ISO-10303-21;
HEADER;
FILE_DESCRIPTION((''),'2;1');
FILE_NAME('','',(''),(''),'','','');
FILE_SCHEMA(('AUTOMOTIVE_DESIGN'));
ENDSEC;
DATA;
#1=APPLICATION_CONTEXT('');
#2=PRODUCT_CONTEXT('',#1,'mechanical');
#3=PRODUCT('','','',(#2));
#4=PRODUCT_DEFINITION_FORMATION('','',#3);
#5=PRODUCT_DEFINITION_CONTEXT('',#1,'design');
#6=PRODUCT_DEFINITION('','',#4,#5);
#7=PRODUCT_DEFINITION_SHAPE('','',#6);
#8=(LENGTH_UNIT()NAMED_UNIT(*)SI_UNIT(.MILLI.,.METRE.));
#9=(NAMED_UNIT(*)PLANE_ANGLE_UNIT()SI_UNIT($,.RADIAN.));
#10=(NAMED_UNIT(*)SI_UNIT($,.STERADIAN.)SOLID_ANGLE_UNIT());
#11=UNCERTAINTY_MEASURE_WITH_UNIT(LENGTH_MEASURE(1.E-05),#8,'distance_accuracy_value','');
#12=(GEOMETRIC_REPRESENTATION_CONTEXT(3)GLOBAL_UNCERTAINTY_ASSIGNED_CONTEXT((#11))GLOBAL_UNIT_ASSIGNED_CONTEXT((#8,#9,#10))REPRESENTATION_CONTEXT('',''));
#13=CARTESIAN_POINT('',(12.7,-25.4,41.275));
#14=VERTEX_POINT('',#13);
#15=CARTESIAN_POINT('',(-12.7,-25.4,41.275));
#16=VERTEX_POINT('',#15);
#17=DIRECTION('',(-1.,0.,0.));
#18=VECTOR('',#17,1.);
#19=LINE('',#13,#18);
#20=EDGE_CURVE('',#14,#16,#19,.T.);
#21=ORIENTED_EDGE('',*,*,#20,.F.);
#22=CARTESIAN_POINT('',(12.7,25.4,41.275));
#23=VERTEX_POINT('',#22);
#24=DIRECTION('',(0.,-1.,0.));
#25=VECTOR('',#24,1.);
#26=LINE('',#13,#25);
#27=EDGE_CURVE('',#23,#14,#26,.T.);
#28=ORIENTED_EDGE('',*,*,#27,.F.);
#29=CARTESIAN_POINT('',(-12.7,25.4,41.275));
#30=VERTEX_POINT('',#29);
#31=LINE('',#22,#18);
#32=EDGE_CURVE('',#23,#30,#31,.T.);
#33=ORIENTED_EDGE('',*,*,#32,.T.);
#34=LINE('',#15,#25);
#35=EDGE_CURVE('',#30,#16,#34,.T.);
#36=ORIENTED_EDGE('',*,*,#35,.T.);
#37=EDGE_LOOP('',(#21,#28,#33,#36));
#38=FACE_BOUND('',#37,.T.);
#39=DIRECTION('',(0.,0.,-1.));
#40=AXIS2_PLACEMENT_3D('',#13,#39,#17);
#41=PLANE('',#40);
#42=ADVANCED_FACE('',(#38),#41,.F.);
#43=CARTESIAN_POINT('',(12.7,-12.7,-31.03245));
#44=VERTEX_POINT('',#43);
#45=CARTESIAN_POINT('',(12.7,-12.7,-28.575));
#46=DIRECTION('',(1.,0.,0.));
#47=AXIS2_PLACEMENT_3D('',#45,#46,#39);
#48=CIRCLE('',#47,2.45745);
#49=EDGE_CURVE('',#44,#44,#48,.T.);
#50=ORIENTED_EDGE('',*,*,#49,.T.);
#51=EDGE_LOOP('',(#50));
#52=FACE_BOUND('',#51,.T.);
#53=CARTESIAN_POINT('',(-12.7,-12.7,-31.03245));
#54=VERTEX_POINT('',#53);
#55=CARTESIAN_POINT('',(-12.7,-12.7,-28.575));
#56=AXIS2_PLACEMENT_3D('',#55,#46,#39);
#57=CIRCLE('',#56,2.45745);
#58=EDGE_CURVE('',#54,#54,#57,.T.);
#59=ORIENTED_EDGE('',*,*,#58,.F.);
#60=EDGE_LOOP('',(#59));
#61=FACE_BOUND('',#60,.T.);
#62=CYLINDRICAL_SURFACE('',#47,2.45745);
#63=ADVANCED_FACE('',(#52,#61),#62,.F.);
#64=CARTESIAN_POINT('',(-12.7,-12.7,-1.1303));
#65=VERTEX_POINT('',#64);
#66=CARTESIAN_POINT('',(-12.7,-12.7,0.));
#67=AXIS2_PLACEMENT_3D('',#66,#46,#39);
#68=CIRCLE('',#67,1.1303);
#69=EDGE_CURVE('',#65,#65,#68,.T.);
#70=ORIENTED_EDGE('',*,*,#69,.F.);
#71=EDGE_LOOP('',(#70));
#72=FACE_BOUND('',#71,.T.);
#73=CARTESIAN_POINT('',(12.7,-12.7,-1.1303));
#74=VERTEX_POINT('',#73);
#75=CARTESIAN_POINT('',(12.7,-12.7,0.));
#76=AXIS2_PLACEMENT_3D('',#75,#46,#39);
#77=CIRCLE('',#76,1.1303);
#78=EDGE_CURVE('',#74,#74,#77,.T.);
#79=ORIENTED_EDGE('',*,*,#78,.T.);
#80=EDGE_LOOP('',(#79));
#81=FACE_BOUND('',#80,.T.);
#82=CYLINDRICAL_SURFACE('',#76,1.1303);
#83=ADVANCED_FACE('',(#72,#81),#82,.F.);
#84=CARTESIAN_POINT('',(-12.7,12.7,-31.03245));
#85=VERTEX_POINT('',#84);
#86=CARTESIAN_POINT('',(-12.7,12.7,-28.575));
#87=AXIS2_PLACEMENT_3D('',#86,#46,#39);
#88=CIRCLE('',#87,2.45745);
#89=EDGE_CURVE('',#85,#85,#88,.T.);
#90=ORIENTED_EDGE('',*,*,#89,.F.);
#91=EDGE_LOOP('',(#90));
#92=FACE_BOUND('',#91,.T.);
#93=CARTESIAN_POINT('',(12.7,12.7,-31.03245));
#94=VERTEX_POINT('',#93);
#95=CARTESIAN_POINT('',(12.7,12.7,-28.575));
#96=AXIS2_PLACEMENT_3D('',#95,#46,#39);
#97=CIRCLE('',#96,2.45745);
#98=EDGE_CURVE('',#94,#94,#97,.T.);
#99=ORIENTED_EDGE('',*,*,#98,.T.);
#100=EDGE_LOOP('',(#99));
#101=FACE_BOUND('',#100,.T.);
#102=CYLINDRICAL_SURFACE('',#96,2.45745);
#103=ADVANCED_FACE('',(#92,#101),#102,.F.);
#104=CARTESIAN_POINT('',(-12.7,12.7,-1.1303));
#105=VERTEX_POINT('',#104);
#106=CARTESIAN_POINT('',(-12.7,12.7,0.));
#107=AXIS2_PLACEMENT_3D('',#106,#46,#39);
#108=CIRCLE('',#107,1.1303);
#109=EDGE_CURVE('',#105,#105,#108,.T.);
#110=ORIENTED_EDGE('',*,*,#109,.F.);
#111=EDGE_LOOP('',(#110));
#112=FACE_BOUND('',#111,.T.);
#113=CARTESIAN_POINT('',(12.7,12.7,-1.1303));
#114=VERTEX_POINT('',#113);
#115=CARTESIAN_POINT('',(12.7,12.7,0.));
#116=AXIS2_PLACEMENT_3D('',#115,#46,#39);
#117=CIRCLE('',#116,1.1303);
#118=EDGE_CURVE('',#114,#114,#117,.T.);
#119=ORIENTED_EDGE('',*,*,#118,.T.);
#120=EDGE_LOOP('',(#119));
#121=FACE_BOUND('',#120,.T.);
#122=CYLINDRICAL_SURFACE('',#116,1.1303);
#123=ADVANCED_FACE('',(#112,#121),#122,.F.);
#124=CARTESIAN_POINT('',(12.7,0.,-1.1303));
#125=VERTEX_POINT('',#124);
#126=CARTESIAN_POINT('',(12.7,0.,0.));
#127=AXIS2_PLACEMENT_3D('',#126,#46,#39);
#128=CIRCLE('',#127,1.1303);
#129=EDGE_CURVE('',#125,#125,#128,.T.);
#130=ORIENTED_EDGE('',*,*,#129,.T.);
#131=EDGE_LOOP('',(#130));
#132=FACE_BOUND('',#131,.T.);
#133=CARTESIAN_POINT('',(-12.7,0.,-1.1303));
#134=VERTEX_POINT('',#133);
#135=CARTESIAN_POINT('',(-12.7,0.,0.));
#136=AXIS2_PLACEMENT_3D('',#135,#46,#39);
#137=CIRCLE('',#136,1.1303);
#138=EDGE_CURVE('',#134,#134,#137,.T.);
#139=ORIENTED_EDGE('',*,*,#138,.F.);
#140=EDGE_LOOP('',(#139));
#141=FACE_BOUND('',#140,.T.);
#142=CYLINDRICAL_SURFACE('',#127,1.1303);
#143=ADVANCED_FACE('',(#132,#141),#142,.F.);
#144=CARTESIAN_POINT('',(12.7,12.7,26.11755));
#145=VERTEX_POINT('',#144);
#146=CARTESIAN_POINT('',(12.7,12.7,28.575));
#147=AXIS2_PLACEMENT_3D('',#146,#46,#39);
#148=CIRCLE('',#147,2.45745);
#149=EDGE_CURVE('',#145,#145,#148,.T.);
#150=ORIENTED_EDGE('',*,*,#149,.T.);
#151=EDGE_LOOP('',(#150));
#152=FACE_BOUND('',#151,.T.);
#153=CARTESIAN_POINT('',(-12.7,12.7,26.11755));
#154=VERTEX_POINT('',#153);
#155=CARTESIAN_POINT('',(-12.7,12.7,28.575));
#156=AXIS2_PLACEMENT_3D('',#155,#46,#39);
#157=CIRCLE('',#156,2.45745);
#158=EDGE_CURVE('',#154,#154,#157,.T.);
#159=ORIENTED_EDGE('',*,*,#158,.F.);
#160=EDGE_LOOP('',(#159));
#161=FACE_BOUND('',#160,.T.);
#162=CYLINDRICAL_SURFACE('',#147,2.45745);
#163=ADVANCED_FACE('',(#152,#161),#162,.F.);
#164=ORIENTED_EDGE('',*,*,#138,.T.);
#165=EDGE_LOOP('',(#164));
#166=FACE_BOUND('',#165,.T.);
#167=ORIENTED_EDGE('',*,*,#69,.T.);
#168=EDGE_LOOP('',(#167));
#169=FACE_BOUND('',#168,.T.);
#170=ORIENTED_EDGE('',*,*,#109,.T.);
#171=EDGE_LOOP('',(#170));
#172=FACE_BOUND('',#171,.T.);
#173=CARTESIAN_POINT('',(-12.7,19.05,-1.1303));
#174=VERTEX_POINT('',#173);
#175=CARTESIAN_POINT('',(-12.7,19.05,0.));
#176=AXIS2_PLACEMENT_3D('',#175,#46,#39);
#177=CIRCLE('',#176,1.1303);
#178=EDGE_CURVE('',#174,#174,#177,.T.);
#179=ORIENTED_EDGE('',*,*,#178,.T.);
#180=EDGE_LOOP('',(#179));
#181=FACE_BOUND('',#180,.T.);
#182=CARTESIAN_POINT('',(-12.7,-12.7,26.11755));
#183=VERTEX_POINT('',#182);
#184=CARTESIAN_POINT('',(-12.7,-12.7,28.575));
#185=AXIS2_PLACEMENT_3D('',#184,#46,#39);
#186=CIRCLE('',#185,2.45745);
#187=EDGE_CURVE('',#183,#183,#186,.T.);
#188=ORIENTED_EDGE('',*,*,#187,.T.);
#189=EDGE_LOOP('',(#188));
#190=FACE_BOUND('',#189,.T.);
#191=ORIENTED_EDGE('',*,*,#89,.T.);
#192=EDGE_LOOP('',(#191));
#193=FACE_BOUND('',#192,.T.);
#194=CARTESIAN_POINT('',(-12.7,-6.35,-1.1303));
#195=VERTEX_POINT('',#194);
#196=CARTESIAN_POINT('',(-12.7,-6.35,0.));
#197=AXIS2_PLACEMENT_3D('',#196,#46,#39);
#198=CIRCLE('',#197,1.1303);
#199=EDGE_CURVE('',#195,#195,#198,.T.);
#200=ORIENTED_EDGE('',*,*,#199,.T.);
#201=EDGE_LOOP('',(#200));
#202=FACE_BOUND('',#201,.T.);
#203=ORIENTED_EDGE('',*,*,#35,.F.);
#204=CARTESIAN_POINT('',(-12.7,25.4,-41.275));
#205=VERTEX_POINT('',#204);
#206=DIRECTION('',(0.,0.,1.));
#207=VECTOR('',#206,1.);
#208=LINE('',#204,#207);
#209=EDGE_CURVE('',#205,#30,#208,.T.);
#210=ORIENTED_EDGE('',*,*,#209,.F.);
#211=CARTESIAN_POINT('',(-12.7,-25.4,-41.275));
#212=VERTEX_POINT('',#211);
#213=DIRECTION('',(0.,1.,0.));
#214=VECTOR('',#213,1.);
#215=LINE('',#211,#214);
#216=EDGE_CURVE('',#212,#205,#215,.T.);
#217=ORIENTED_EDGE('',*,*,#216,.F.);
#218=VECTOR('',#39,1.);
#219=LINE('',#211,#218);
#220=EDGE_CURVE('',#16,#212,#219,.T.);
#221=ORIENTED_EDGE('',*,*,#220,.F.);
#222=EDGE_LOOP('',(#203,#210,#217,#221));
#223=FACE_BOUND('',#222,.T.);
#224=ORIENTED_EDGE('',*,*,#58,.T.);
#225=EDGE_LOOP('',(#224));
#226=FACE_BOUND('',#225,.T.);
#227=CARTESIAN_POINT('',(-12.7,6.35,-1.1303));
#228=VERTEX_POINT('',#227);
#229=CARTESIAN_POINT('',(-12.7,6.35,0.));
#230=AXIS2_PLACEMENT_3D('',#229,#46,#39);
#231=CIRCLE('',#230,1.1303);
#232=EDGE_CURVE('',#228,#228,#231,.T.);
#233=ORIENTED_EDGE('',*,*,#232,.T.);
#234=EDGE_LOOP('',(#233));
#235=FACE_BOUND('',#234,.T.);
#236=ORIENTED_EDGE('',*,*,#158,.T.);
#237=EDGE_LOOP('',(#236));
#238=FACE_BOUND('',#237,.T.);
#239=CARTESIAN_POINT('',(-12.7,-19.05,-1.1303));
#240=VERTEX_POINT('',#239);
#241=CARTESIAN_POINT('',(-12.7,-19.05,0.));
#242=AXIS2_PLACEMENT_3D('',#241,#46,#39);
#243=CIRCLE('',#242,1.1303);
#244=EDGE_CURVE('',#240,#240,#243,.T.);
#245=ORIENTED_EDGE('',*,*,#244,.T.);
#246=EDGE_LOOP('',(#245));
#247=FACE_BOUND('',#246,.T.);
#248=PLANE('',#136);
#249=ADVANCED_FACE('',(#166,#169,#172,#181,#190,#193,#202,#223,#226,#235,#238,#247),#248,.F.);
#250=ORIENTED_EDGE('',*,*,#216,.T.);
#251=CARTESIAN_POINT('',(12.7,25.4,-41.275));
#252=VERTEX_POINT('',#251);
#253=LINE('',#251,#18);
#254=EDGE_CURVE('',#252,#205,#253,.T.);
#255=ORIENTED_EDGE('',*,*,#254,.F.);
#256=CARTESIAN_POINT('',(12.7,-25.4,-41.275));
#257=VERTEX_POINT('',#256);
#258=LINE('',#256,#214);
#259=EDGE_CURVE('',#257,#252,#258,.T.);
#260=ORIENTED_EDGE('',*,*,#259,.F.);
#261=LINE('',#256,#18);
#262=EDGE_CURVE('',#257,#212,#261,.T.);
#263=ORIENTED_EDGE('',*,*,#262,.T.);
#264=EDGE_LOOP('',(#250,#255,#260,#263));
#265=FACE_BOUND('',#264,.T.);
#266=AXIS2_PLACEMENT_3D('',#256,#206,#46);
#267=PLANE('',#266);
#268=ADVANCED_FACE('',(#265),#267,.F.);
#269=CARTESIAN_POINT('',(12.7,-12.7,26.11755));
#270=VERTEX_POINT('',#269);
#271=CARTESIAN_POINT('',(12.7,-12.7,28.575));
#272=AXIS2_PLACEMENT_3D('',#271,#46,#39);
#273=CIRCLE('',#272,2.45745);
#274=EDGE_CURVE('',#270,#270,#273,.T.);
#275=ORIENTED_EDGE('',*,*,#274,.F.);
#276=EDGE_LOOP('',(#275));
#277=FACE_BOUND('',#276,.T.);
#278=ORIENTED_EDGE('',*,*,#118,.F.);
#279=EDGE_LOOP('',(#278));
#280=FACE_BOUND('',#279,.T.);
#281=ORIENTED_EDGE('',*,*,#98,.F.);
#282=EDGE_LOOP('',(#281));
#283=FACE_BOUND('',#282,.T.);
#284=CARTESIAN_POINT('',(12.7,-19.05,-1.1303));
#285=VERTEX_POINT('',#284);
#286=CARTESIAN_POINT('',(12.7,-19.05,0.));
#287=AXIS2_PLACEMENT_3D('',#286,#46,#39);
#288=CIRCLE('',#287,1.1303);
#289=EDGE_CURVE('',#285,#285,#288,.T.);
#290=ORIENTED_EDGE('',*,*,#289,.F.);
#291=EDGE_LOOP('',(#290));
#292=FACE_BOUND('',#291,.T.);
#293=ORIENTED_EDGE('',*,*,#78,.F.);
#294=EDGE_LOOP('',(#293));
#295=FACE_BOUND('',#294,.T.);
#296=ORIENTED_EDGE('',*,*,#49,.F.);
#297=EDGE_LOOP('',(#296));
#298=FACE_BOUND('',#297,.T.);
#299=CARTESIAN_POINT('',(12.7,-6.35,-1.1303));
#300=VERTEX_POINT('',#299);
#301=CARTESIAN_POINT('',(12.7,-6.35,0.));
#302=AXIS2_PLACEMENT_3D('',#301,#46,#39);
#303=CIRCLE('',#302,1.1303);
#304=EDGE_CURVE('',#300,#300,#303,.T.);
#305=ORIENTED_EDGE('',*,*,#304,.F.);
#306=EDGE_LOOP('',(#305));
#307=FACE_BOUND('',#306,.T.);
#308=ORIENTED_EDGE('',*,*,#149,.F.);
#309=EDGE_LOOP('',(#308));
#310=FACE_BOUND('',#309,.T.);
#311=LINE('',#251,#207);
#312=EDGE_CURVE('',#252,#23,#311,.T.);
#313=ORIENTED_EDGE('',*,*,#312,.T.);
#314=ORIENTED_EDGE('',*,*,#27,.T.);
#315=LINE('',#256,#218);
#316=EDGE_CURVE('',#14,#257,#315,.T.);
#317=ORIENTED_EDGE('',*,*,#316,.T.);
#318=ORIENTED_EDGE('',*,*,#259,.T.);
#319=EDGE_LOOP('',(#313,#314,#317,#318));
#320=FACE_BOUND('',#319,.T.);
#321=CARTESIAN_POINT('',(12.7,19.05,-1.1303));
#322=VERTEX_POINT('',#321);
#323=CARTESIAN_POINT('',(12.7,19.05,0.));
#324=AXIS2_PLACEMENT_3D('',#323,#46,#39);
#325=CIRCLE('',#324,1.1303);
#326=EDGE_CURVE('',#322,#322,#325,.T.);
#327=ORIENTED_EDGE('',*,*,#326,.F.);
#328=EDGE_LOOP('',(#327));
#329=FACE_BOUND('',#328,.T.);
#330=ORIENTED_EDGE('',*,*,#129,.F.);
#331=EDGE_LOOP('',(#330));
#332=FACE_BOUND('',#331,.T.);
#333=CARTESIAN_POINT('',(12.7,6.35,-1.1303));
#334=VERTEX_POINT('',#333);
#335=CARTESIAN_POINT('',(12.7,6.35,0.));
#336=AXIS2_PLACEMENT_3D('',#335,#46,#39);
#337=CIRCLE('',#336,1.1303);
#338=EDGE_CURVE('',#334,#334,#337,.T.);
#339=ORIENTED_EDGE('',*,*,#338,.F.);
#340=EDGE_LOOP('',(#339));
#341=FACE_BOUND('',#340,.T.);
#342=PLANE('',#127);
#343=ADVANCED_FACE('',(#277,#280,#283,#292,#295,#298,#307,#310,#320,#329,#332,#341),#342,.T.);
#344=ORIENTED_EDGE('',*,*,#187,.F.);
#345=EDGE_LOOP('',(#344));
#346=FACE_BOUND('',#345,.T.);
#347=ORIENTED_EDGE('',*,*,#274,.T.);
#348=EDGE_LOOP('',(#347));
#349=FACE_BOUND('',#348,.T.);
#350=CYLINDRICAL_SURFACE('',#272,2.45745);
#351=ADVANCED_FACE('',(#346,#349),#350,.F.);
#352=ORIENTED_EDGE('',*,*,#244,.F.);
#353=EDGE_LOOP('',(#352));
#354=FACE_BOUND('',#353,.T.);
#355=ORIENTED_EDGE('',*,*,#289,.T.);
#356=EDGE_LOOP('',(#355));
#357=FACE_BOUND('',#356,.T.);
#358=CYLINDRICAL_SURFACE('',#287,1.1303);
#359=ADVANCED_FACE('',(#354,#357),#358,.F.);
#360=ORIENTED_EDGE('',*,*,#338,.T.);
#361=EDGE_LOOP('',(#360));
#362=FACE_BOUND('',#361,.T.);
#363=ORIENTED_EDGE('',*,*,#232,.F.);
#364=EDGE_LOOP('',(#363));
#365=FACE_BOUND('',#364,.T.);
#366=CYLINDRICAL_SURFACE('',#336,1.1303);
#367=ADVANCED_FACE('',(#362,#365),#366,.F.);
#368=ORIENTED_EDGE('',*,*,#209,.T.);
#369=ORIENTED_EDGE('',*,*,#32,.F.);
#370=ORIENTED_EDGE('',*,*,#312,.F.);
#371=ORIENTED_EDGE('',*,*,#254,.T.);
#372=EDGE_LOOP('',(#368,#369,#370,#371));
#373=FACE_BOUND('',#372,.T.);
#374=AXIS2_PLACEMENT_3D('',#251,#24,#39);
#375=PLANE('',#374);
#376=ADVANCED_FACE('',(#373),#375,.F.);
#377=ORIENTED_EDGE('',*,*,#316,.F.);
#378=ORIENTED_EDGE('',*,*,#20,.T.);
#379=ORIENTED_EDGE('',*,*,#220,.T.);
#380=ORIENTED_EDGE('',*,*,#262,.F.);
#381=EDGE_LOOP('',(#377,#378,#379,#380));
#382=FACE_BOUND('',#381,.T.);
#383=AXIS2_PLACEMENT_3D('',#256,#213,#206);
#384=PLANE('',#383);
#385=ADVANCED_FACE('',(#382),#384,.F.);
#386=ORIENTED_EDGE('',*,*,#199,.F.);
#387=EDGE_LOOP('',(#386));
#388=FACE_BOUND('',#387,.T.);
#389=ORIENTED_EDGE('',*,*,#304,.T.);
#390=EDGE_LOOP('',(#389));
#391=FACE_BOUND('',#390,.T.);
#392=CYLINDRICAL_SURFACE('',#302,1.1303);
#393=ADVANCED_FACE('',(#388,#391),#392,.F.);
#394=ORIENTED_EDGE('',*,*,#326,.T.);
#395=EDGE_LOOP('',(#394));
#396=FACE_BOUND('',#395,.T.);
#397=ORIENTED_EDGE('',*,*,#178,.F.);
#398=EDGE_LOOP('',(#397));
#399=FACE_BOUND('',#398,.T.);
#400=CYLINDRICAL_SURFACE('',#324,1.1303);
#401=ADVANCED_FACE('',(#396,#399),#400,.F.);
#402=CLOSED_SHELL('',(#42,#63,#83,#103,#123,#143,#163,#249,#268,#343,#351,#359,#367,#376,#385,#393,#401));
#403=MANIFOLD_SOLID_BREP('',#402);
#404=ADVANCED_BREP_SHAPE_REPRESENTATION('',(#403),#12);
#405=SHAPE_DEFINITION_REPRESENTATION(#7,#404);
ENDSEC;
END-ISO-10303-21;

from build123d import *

# Parameters (mm, degrees)
SKETCH1_W                    = 82.55
SKETCH1_H                    = 50.8
BOSS_EXTRUDE1_DEPTH          = 12.7
F_10_0_1935_DIAMETER_HOLE1_D = 4.9149
F_4_40_TAPPED_HOLE1_D        = 2.2606


with BuildPart() as part:
    # Sketch1 → Boss-Extrude1 (new, symmetric)
    with BuildSketch(Plane(origin=(0, 0, 0), x_dir=(0, 0, -1), z_dir=(1, 0, 0))):
        Rectangle(SKETCH1_W, SKETCH1_H)
    extrude(amount=BOSS_EXTRUDE1_DEPTH, both=True)

    # #10 (0.1935) Diameter Hole1 (through all)
    with Locations(Plane(origin=(12.7, 0, 0), x_dir=(0, 0, -1), z_dir=(1, 0, 0))):
        with Locations((28.575, 12.7), (-28.575, 12.7), (-28.575, -12.7), (28.575, -12.7)):
            Hole(F_10_0_1935_DIAMETER_HOLE1_D / 2)

    # #4-40 Tapped Hole1 (through all)
    with Locations(Plane(origin=(12.7, 0, 0), x_dir=(0, 0, -1), z_dir=(1, 0, 0))):
        with Locations((0, 19.05), (0, 12.7), (0, 6.35), (0, 0), (0, -6.35), (0, -12.7), (0, -19.05)):
            Hole(F_4_40_TAPPED_HOLE1_D / 2)


solid = part.part
